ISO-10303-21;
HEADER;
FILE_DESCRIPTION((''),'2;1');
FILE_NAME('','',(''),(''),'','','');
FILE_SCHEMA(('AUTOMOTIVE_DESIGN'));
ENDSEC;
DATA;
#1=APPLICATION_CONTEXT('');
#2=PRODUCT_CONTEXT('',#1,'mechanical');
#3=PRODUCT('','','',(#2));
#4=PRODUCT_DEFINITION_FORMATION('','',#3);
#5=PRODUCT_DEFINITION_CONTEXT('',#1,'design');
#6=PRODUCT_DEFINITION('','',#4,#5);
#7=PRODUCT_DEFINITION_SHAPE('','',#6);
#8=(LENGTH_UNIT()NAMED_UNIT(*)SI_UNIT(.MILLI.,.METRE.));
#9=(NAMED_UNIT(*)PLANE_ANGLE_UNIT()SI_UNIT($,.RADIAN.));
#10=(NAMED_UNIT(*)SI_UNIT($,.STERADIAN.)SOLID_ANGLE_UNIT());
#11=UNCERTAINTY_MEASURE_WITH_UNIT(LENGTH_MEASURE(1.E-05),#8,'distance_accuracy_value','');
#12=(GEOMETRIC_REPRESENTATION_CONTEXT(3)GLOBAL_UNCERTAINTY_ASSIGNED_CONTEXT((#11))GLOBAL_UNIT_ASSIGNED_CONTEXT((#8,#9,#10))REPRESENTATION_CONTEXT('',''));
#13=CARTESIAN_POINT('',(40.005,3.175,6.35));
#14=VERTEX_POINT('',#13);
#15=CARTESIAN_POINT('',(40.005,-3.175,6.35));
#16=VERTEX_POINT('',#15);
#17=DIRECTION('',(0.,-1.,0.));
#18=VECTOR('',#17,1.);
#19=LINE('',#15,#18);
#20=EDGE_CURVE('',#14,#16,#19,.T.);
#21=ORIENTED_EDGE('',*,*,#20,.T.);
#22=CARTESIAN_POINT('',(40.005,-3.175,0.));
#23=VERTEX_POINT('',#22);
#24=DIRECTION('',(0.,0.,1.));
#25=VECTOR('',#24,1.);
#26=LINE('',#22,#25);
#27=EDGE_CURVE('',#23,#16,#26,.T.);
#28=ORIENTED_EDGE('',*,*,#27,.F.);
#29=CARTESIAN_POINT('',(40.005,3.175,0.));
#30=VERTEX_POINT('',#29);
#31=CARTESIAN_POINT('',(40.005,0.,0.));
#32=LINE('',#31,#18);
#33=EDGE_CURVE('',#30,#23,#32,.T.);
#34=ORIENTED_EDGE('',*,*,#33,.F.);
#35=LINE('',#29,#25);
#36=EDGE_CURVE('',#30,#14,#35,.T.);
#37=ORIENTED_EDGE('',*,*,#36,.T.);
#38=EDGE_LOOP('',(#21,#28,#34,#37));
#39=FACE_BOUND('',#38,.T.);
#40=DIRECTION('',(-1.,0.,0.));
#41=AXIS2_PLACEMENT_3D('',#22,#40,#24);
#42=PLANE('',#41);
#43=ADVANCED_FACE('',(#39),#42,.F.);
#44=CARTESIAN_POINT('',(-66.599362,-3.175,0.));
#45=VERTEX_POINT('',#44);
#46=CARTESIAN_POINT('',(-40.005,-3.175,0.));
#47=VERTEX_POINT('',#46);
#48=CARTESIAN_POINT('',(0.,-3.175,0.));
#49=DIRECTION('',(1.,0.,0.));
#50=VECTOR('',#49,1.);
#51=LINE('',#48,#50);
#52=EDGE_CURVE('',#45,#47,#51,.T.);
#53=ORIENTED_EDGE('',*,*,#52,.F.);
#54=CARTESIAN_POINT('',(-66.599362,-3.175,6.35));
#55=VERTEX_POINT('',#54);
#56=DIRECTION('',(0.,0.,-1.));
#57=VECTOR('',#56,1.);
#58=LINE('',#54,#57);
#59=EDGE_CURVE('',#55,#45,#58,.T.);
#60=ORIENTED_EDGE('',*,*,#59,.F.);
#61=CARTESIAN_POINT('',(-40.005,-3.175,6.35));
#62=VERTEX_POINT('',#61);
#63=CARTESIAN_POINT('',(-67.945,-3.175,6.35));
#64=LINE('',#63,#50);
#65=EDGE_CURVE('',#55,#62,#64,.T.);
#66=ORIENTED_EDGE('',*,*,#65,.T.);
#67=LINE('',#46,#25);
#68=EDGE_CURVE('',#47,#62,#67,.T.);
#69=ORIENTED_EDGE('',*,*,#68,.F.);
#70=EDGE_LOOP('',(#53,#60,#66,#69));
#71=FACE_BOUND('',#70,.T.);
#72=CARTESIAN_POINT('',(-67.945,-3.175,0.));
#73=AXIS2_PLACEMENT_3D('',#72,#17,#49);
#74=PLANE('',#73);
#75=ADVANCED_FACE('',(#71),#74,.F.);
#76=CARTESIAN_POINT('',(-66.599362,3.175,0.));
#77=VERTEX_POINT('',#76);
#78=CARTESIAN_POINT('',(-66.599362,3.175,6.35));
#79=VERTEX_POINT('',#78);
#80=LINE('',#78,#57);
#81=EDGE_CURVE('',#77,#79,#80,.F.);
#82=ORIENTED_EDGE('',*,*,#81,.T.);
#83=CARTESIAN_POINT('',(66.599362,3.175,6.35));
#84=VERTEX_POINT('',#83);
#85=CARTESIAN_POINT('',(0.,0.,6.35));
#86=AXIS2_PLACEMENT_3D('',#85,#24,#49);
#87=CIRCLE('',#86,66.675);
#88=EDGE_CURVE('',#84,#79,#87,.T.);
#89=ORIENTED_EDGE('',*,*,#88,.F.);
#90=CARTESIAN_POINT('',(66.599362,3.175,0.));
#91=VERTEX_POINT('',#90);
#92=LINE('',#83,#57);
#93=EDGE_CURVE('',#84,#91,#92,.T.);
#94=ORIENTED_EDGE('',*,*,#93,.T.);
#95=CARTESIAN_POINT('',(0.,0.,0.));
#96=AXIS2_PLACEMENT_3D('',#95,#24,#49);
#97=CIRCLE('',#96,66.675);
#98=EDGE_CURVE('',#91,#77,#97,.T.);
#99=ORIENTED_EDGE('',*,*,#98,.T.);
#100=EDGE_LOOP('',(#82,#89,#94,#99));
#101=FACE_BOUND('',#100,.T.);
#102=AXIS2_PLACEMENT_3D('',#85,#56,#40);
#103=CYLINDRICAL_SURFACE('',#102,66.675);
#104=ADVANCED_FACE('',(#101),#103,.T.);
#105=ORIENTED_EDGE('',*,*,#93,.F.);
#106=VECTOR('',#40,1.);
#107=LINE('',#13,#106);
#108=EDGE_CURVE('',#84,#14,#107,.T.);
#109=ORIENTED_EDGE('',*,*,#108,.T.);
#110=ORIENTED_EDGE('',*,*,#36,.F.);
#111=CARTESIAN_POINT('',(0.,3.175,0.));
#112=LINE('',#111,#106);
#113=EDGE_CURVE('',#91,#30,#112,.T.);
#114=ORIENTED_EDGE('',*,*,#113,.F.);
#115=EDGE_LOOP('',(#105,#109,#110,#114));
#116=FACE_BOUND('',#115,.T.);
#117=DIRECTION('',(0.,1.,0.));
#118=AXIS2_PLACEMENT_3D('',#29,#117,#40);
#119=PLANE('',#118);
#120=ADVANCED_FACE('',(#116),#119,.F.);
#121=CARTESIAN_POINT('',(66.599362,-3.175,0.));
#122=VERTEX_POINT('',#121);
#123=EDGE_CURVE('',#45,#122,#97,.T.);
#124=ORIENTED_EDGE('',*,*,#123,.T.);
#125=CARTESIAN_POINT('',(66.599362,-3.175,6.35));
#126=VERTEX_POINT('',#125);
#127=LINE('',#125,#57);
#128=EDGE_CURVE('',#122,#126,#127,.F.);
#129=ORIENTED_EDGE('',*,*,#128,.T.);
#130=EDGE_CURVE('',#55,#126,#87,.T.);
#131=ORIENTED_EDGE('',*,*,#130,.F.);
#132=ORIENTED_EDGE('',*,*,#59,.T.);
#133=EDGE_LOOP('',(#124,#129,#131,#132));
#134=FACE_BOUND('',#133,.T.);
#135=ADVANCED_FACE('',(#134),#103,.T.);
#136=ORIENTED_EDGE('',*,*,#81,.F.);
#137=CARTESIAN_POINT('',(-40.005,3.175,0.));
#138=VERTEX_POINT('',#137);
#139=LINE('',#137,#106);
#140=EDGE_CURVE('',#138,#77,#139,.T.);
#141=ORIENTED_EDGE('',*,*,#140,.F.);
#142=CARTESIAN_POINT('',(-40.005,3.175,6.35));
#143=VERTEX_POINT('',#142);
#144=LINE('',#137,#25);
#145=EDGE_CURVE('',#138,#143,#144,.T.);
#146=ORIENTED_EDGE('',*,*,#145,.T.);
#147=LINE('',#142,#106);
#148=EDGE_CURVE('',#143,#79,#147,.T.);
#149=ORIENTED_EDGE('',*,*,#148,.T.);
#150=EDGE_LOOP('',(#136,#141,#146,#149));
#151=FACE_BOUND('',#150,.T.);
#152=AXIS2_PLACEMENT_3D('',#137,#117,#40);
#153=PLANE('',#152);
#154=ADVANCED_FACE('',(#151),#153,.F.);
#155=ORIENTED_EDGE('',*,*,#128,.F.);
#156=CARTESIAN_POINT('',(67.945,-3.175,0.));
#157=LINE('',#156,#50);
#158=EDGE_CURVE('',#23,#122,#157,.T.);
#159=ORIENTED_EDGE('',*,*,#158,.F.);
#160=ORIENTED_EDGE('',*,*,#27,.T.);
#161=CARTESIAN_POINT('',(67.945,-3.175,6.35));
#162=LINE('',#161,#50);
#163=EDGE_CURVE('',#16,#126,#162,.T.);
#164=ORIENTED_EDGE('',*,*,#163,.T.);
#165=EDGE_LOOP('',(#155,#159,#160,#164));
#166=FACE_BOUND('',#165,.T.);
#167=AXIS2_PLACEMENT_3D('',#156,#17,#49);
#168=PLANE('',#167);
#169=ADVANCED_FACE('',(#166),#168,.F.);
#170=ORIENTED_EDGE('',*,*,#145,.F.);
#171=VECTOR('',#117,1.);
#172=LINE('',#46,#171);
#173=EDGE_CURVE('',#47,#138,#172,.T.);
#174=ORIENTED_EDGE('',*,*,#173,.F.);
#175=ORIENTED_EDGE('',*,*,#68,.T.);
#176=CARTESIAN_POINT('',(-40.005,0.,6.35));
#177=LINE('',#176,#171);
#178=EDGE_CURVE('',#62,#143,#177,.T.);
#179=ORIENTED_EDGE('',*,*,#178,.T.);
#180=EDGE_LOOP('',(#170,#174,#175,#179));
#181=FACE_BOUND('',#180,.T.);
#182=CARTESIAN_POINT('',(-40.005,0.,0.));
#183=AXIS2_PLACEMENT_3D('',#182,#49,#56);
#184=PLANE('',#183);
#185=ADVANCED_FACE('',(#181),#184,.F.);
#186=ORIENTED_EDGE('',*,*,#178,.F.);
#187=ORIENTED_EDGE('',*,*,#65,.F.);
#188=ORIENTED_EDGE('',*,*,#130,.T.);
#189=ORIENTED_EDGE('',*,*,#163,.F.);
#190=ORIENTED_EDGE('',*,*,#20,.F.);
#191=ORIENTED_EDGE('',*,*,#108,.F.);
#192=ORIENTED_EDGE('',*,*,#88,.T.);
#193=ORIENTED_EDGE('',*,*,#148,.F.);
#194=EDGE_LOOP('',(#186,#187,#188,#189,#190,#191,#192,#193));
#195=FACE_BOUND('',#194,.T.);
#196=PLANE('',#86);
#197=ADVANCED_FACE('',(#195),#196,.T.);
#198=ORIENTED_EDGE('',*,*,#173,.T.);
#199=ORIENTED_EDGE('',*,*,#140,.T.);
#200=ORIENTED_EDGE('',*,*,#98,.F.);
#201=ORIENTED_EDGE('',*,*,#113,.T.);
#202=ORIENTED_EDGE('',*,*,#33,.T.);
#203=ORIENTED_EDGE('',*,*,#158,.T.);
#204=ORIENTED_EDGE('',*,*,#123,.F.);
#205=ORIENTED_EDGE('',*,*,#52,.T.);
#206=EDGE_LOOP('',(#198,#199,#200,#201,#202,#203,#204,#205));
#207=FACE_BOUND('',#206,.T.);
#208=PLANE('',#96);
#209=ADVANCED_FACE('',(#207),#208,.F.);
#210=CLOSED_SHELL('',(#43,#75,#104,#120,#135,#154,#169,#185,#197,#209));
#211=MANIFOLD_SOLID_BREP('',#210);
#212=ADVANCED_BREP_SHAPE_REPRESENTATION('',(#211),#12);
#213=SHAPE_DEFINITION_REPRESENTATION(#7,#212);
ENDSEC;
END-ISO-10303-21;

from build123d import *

# Parameters (mm, degrees)
SKETCH1_R           = 66.675
BOSS_EXTRUDE1_DEPTH = 6.35
CUT_EXTRUDE1_DEPTH  = 7.35


with BuildPart() as part:
    # Sketch1 → Boss-Extrude1 (new body)
    with BuildSketch(Plane.XY):
        Circle(SKETCH1_R)
    extrude(amount=BOSS_EXTRUDE1_DEPTH)

    # Sketch2 → Cut-Extrude1 (cut, through all)
    with BuildSketch(Plane.XY.offset(6.35)):
        Polygon((-40.005, 0), (-40.005, 3.175), (-67.945, 3.175), (-67.945, -3.175), (-40.005, -3.175), align=None)
        Polygon((40.005, -3.175), (40.005, 0), (40.005, 3.175), (67.945, 3.175), (67.945, -3.175), align=None)
    extrude(amount=-CUT_EXTRUDE1_DEPTH, mode=Mode.SUBTRACT)


solid = part.part
